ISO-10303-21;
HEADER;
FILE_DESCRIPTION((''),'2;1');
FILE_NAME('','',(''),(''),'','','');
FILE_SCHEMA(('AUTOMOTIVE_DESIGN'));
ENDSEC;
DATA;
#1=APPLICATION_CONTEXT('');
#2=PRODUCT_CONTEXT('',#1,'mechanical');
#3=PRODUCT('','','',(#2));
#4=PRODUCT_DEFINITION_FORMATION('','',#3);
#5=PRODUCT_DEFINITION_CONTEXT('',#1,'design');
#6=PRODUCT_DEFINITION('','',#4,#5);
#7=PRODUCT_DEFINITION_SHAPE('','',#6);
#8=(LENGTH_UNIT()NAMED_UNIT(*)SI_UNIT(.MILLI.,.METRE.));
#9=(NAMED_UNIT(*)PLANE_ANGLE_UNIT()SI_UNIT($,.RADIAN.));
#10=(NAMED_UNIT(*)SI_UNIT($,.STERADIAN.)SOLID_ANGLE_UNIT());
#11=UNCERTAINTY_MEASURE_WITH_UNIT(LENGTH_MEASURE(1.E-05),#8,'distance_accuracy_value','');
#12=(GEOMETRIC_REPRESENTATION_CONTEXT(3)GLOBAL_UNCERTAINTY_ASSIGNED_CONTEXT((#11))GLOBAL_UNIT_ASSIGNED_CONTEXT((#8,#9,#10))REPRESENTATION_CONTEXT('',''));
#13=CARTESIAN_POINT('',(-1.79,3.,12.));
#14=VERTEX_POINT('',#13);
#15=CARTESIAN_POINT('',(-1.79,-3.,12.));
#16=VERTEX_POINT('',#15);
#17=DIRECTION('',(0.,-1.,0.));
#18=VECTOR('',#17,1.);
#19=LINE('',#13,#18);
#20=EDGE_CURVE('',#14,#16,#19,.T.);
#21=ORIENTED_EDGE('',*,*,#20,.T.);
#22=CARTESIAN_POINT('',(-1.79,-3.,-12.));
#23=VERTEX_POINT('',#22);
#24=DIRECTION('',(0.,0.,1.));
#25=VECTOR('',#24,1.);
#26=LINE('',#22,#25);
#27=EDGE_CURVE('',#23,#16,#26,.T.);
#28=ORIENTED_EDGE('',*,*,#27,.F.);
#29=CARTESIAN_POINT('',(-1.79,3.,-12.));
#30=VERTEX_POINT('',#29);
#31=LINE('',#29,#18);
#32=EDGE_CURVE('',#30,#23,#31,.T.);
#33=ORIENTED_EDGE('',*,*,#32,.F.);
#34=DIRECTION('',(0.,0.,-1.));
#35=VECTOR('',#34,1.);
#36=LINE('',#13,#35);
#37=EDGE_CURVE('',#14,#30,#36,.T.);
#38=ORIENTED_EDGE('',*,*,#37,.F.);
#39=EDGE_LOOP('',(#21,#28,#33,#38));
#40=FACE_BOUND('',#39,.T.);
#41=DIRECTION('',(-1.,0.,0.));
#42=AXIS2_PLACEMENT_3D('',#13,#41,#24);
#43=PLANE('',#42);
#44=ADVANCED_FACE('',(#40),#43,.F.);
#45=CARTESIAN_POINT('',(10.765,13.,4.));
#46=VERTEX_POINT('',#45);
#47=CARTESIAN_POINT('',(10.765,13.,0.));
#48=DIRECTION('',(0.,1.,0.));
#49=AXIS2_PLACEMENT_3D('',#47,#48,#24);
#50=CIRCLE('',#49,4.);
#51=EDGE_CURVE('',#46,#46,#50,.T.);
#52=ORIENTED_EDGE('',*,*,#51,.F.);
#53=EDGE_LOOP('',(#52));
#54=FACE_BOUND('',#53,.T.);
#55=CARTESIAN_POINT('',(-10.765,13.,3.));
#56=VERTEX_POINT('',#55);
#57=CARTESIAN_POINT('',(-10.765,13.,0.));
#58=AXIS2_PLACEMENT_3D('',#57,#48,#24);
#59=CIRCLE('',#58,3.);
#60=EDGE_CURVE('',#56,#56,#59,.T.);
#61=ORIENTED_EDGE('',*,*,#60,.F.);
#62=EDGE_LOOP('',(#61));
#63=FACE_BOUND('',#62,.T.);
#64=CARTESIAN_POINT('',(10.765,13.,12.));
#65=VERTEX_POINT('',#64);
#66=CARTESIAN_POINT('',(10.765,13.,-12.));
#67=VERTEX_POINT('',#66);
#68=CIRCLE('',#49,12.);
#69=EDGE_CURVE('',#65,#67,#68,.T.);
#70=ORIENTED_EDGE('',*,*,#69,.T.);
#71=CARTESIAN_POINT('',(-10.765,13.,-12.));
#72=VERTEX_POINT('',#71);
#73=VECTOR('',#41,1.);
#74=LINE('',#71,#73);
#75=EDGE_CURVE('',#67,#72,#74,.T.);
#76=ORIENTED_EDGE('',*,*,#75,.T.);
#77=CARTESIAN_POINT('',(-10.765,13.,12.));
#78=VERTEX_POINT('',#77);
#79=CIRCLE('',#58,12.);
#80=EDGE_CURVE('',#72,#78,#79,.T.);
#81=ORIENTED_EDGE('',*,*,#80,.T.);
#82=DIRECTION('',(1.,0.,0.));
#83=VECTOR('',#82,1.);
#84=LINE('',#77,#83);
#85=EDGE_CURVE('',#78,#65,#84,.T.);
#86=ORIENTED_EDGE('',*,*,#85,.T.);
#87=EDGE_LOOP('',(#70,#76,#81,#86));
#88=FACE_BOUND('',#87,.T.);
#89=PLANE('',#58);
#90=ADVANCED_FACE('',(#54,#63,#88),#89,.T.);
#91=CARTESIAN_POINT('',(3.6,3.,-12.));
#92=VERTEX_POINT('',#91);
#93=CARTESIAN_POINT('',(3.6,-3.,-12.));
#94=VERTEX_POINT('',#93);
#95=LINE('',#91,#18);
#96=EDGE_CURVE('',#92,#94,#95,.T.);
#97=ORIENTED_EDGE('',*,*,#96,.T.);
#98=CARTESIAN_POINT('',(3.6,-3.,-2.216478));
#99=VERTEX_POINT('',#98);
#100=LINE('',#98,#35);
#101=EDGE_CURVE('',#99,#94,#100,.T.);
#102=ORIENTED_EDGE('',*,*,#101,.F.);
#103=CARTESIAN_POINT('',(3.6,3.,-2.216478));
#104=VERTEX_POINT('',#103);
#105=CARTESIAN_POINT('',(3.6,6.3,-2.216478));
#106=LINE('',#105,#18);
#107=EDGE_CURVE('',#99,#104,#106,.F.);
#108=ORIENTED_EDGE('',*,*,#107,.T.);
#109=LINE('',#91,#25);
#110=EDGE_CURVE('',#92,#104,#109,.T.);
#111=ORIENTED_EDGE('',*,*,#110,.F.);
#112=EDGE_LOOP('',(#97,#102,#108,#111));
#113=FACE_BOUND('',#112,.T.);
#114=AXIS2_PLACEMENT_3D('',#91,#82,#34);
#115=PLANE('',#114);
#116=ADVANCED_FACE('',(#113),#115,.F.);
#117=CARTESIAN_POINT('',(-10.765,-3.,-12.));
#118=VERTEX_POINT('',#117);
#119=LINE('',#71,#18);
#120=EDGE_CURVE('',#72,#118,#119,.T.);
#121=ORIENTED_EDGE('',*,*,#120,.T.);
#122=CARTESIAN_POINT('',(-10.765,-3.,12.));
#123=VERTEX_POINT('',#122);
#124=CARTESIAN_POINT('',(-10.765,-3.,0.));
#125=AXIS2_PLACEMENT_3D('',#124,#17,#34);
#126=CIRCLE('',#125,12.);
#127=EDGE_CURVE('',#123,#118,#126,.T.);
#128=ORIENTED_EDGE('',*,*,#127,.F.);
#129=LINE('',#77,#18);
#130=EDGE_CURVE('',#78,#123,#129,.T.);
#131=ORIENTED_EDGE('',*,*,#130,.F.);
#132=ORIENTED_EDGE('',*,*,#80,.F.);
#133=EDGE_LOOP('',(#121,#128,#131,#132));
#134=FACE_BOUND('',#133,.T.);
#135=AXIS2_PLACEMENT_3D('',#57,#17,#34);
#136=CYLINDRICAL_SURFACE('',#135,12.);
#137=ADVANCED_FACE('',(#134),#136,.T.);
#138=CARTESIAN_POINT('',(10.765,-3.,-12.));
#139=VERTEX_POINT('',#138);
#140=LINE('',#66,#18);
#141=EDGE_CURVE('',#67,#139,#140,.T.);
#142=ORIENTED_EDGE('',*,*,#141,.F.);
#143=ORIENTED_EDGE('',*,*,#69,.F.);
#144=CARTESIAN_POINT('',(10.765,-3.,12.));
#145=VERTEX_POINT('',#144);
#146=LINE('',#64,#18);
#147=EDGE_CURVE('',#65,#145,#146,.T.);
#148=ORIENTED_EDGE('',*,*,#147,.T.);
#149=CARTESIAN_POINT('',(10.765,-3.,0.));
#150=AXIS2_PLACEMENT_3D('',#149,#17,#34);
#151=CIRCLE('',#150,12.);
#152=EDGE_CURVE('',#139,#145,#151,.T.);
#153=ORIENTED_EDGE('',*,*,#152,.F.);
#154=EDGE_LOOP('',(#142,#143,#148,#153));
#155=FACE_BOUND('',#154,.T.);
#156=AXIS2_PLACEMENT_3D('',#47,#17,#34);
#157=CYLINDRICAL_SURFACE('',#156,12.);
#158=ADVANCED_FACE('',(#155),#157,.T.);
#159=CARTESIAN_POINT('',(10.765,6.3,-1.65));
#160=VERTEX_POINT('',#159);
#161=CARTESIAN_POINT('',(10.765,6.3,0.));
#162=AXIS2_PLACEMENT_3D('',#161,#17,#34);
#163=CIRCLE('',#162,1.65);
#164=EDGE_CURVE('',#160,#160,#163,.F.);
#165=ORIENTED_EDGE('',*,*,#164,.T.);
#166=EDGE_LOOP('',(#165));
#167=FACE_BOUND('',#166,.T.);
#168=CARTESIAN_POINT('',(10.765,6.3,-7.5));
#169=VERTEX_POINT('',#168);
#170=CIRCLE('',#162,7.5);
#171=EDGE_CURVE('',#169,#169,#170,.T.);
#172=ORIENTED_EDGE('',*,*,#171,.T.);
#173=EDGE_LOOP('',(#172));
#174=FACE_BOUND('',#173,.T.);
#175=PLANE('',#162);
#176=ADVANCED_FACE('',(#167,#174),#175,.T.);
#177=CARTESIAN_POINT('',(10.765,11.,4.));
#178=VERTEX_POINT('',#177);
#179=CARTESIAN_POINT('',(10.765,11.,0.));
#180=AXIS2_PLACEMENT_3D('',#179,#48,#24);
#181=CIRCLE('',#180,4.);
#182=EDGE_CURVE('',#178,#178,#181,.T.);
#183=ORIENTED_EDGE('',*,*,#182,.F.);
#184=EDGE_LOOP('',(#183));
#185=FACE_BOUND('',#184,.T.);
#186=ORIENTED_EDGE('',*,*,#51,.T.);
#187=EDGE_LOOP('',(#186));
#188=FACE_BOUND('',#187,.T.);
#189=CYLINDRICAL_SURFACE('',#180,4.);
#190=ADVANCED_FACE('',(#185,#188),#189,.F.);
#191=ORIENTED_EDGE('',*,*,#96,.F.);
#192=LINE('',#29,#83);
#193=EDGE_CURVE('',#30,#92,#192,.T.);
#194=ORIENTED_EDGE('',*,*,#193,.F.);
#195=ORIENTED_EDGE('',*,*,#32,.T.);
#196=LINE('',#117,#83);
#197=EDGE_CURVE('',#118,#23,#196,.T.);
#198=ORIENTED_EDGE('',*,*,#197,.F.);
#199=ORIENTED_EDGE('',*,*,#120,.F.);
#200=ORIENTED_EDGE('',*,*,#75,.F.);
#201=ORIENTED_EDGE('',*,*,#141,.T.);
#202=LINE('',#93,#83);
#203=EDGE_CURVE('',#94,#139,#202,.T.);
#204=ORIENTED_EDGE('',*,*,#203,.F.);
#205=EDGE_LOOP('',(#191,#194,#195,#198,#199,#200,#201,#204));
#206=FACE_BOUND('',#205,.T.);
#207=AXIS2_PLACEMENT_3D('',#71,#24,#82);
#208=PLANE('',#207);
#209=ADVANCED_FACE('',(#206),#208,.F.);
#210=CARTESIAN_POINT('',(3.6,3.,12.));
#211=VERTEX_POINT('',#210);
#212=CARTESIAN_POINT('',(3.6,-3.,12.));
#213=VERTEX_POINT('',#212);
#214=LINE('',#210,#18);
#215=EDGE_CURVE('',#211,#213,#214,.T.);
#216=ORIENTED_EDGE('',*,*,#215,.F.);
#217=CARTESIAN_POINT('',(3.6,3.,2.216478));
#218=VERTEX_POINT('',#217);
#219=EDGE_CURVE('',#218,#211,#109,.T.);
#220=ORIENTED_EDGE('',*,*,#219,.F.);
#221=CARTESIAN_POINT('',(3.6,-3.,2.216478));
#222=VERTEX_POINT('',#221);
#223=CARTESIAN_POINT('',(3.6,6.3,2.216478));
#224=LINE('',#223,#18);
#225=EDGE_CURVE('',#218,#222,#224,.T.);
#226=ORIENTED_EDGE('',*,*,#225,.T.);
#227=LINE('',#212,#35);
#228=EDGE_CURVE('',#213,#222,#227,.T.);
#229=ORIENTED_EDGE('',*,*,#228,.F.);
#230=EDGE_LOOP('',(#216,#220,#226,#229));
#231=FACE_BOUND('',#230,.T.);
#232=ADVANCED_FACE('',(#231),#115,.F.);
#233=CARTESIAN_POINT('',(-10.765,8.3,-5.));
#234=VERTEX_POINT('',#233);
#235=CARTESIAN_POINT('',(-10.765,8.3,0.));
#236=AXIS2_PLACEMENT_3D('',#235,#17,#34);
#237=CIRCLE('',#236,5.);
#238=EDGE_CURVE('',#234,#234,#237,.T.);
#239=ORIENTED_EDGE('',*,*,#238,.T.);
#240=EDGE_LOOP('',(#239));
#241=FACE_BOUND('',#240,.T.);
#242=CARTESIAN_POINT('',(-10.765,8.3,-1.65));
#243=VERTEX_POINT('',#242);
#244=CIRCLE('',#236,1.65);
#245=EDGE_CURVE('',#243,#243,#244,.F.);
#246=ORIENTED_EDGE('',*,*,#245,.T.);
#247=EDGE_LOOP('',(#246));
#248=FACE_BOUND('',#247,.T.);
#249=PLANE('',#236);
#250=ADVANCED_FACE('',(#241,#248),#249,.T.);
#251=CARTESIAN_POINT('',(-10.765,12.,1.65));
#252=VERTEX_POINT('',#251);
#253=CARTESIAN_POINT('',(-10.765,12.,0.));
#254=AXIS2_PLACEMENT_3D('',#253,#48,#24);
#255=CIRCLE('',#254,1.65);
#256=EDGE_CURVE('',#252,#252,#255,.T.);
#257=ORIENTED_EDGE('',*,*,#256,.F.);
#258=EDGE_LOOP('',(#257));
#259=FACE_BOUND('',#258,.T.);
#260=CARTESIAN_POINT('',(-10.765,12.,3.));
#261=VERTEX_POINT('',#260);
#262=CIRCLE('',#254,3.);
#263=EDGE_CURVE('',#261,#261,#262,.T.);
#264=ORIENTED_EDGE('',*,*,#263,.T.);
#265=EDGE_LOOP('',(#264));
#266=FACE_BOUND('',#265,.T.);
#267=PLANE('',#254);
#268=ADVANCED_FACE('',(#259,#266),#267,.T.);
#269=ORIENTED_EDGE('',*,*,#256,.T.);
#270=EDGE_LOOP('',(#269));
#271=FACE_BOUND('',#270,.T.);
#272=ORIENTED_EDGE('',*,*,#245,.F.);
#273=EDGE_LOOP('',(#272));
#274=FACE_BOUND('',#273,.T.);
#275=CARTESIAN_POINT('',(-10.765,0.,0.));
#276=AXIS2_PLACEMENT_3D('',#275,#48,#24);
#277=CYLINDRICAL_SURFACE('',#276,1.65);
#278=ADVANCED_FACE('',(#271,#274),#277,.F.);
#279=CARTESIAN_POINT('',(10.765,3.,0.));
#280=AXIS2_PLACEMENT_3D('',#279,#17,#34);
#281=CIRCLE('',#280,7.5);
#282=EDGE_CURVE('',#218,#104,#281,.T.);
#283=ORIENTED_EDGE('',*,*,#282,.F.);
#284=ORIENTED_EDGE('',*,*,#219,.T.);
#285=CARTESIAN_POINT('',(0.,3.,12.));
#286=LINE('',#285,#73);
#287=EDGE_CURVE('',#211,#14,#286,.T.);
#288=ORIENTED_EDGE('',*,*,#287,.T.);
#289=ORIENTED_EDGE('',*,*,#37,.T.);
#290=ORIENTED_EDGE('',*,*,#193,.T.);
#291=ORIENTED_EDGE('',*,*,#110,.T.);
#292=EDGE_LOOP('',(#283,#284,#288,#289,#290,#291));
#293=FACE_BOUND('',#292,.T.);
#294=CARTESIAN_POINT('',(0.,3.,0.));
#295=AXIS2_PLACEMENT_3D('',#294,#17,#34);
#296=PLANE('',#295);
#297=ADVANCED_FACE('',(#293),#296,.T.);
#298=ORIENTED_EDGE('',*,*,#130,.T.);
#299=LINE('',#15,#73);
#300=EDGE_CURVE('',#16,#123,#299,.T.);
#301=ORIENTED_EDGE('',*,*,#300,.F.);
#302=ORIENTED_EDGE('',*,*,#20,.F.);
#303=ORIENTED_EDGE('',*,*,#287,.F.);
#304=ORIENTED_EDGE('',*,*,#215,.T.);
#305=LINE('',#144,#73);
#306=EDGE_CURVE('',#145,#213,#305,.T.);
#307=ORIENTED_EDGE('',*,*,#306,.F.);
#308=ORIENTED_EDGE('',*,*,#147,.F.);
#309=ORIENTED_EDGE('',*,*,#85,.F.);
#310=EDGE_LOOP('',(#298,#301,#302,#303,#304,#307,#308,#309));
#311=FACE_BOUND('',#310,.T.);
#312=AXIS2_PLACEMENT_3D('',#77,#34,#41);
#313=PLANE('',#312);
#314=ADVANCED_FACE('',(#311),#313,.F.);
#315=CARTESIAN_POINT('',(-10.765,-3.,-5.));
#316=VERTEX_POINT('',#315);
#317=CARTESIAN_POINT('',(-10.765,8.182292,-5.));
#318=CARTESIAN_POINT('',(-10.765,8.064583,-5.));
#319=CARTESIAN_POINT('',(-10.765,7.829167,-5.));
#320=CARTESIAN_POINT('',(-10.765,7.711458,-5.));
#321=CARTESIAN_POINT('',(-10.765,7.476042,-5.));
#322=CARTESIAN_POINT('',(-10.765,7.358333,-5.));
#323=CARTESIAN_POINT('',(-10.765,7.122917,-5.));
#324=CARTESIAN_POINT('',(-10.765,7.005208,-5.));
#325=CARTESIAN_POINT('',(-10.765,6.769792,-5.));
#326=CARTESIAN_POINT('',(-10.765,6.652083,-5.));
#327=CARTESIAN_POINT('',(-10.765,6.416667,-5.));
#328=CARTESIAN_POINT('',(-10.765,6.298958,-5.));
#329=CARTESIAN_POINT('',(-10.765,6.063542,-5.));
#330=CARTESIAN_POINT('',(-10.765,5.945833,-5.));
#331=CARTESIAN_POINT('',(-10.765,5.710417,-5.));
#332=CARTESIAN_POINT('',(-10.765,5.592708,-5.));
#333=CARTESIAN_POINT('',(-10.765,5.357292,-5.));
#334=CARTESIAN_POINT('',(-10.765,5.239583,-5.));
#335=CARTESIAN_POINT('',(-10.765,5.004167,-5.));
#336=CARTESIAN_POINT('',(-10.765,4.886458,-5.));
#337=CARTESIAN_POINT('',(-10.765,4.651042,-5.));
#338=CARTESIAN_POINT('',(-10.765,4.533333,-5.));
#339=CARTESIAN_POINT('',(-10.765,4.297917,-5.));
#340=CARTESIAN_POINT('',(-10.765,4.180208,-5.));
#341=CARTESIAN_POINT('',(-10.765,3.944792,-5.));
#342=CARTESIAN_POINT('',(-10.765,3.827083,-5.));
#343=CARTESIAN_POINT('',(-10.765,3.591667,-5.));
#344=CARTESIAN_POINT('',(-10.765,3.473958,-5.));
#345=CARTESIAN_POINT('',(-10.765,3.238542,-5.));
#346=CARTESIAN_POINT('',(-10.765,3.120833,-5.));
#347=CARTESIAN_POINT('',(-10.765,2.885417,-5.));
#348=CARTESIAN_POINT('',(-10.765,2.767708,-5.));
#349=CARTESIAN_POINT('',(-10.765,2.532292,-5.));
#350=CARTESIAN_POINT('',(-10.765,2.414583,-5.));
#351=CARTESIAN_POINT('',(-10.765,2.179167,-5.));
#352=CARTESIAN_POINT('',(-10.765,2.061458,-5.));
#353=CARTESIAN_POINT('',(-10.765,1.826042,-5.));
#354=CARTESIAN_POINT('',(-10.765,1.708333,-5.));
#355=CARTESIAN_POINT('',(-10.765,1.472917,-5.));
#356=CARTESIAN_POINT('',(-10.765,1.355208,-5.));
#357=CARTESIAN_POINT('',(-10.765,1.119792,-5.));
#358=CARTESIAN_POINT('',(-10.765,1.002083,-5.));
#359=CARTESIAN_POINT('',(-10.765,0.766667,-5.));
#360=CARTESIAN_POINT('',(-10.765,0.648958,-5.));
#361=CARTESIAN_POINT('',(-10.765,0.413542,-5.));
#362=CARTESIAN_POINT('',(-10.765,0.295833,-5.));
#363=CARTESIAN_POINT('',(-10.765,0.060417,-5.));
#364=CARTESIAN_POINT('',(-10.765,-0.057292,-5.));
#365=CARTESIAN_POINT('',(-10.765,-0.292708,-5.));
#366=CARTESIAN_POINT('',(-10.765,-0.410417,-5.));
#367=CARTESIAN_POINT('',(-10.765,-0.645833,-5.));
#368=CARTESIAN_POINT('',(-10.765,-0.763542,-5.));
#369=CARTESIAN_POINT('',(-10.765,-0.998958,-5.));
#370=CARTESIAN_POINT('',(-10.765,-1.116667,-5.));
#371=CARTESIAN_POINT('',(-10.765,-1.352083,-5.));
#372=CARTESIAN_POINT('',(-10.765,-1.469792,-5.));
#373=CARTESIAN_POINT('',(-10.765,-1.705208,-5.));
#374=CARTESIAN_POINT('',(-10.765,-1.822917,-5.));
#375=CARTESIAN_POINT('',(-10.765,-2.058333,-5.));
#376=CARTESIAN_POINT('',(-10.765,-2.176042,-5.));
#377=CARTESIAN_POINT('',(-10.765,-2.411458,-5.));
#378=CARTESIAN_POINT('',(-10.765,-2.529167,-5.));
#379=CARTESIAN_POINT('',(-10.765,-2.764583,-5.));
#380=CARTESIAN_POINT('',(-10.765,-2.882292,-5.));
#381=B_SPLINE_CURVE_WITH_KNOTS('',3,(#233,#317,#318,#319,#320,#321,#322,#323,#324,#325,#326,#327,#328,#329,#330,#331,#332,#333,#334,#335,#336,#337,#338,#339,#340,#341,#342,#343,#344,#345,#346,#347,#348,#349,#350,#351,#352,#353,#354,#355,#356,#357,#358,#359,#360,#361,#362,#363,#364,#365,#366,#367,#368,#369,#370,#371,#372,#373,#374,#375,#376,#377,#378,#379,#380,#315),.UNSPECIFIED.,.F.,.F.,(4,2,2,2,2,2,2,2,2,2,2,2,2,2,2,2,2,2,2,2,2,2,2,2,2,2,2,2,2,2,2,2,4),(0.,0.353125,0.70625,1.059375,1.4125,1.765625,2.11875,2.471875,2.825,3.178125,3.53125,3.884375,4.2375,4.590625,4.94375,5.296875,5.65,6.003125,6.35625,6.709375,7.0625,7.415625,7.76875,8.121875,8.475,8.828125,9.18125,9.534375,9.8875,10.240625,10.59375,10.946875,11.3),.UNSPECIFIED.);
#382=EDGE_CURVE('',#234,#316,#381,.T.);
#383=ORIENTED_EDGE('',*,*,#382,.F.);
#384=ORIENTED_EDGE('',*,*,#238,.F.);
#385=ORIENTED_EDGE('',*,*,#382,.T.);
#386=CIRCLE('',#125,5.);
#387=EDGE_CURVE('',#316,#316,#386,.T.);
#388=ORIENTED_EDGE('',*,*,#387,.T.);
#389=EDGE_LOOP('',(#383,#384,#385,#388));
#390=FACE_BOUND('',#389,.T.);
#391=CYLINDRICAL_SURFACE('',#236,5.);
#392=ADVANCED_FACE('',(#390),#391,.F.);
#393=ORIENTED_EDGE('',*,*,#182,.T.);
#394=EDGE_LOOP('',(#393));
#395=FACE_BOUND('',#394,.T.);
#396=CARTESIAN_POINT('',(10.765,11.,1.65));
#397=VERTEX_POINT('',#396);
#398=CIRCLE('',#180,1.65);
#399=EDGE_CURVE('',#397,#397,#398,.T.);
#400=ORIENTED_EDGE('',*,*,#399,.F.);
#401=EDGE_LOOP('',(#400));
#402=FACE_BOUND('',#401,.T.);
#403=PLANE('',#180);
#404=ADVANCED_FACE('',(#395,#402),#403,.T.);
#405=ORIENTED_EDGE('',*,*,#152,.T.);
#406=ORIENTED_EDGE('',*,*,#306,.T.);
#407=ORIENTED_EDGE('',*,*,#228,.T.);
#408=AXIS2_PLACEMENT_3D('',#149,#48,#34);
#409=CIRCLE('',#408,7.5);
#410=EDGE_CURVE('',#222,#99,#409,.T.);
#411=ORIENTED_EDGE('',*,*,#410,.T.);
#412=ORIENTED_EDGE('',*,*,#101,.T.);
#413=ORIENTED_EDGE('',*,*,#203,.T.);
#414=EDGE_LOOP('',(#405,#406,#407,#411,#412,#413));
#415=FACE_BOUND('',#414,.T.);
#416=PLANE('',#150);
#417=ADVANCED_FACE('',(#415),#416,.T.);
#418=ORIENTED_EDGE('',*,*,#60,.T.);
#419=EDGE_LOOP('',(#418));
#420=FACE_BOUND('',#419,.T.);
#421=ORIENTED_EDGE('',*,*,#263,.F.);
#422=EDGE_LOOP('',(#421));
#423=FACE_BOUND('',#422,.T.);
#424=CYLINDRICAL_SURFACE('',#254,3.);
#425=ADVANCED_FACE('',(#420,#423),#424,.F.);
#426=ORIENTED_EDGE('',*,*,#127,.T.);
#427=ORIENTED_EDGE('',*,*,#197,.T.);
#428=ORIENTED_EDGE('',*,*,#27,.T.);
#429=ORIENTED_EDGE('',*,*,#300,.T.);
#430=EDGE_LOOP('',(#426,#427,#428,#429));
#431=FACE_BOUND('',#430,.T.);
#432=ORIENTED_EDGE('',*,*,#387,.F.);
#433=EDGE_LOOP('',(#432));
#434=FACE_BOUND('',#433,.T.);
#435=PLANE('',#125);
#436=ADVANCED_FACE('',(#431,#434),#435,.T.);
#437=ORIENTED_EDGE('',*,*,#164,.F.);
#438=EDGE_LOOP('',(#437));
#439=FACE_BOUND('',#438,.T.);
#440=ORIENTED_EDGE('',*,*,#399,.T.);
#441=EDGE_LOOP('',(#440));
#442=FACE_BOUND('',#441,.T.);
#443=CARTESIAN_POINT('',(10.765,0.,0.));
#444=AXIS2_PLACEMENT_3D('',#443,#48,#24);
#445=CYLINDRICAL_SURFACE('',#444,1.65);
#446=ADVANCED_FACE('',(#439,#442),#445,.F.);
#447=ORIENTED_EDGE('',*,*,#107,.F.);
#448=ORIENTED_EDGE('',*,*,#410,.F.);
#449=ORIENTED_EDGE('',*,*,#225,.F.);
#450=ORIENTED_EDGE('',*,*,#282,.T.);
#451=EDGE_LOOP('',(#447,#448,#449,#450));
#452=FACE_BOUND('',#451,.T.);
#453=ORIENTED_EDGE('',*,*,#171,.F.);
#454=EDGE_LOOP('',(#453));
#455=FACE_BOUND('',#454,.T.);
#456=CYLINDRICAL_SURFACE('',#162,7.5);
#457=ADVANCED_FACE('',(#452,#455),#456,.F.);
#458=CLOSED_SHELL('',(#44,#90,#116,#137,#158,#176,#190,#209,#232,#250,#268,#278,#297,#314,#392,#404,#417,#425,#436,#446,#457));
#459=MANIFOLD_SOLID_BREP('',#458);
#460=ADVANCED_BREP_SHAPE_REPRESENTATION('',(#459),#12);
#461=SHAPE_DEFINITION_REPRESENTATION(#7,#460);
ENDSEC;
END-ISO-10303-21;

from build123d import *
from build123d.topology import SkipClean

# Parameters (mm, degrees)
EXTRUDE_1_DEPTH     = 13
CUT_EXTRUDE_1_DEPTH = 3
SKETCH_3_R          = 4
CUT_EXTRUDE_2_DEPTH = 2
SKETCH_4_R          = 1.65
CUT_EXTRUDE_3_DEPTH = 28.98651863
SKETCH_5_R          = 3
CUT_EXTRUDE_4_DEPTH = 1
SKETCH_6_R          = 1.65
CUT_EXTRUDE_5_DEPTH = 29.394457646
SKETCH_7_R          = 7.5
CUT_EXTRUDE_6_DEPTH = 6.3
SKETCH_8_R          = 5
CUT_EXTRUDE_7_DEPTH = 8.3
EXTRUDE_START       = 3
SKETCH_9_R          = 5
EXTRUDE_3_DEPTH     = 3


with BuildPart() as part:
    # 草图1 → 凸台-拉伸1 (new body)
    with BuildSketch(Plane(origin=(0, 0, 0), x_dir=(1, 0, 0), z_dir=(0, 1, 0))):
        with BuildLine():
            Line((-10.765, 12), (10.765, 12))
            ThreePointArc((10.765, 12), (22.765, 0), (10.765, -12))
            Line((10.765, -12), (-10.765, -12))
            ThreePointArc((-10.765, -12), (-22.765, 0), (-10.765, 12))
        make_face()
    extrude(amount=EXTRUDE_1_DEPTH)

    # 草图2 → 切除-拉伸1 (cut)
    with BuildSketch(Plane.XZ):
        Polygon((0, 12), (-1.79, 12), (-1.79, -12), (3.6, -12), (3.6, 12), align=None)
    extrude(amount=-CUT_EXTRUDE_1_DEPTH, mode=Mode.SUBTRACT)

    # 草图3 → 切除-拉伸2 (cut)
    with BuildSketch(Plane(origin=(0, 13, 0), x_dir=(1, 0, 0), z_dir=(0, 1, 0))):
        with Locations(Location((10.765, 0, 0), (0, 0, 270))):
            Circle(SKETCH_3_R)
    extrude(amount=-CUT_EXTRUDE_2_DEPTH, mode=Mode.SUBTRACT)

    # 草图4 → 切除-拉伸3 (cut, through all)
    with BuildSketch(Plane(origin=(0, 11, 0), x_dir=(1, 0, 0), z_dir=(0, 1, 0))):
        with Locations(Location((10.765, 0, 0), (0, 0, 270))):
            Circle(SKETCH_4_R)
    extrude(amount=-CUT_EXTRUDE_3_DEPTH, mode=Mode.SUBTRACT)

    # 草图5 → 切除-拉伸4 (cut)
    with BuildSketch(Plane(origin=(0, 13, 0), x_dir=(1, 0, 0), z_dir=(0, 1, 0))):
        with Locations(Location((-10.765, 0, 0), (0, 0, 270))):
            Circle(SKETCH_5_R)
    extrude(amount=-CUT_EXTRUDE_4_DEPTH, mode=Mode.SUBTRACT)

    # 草图6 → 切除-拉伸5 (cut, through all)
    with BuildSketch(Plane(origin=(0, 12, 0), x_dir=(1, 0, 0), z_dir=(0, 1, 0))):
        with Locations(Location((-10.765, 0, 0), (0, 0, 270))):
            Circle(SKETCH_6_R)
    extrude(amount=-CUT_EXTRUDE_5_DEPTH, mode=Mode.SUBTRACT)

    # 草图7 → 切除-拉伸6 (cut)
    with BuildSketch(Plane.XZ):
        with Locations(Location((10.765, 0, 0), (0, 0, 270))):
            Circle(SKETCH_7_R)
    extrude(amount=-CUT_EXTRUDE_6_DEPTH, mode=Mode.SUBTRACT)

    # 草图8 → 切除-拉伸7 (cut)
    with BuildSketch(Plane.XZ):
        with Locations(Location((-10.765, 0, 0), (0, 0, 270))):
            Circle(SKETCH_8_R)
    extrude(amount=-CUT_EXTRUDE_7_DEPTH, mode=Mode.SUBTRACT)

    # 草图9 → 凸台-拉伸3 (add)
    # profile 1 of 2: a face of its own
    with SkipClean():  # the faces are left unmerged after this step: merging them gives an invalid solid
        with BuildSketch(Plane.XZ.offset(EXTRUDE_START)):
            with BuildLine():
                Line((-10.765, -12), (-1.79, -12))
                Line((-1.79, -12), (-1.79, 12))
                Line((-1.79, 12), (-10.765, 12))
                ThreePointArc((-10.765, 12), (-22.765, 0), (-10.765, -12))
            make_face()
            with Locations(Location((-10.765, 0, 0), (0, 0, 270))):
                Circle(SKETCH_9_R, mode=Mode.SUBTRACT)
        # profile 2 of 2: a face of its own
        with BuildSketch(Plane.XZ.offset(EXTRUDE_START)):
            with BuildLine():
                Line((3.6, 12), (3.6, 2.216478062))
                ThreePointArc((3.6, 2.216478062), (18.265, 0), (3.6, -2.216478062))
                Line((3.6, -2.216478062), (3.6, -12))
                Line((3.6, -12), (10.765, -12))
                ThreePointArc((10.765, -12), (22.765, 0), (10.765, 12))
                Line((10.765, 12), (3.6, 12))
            make_face()
        extrude(amount=-EXTRUDE_3_DEPTH)


solid = part.part
